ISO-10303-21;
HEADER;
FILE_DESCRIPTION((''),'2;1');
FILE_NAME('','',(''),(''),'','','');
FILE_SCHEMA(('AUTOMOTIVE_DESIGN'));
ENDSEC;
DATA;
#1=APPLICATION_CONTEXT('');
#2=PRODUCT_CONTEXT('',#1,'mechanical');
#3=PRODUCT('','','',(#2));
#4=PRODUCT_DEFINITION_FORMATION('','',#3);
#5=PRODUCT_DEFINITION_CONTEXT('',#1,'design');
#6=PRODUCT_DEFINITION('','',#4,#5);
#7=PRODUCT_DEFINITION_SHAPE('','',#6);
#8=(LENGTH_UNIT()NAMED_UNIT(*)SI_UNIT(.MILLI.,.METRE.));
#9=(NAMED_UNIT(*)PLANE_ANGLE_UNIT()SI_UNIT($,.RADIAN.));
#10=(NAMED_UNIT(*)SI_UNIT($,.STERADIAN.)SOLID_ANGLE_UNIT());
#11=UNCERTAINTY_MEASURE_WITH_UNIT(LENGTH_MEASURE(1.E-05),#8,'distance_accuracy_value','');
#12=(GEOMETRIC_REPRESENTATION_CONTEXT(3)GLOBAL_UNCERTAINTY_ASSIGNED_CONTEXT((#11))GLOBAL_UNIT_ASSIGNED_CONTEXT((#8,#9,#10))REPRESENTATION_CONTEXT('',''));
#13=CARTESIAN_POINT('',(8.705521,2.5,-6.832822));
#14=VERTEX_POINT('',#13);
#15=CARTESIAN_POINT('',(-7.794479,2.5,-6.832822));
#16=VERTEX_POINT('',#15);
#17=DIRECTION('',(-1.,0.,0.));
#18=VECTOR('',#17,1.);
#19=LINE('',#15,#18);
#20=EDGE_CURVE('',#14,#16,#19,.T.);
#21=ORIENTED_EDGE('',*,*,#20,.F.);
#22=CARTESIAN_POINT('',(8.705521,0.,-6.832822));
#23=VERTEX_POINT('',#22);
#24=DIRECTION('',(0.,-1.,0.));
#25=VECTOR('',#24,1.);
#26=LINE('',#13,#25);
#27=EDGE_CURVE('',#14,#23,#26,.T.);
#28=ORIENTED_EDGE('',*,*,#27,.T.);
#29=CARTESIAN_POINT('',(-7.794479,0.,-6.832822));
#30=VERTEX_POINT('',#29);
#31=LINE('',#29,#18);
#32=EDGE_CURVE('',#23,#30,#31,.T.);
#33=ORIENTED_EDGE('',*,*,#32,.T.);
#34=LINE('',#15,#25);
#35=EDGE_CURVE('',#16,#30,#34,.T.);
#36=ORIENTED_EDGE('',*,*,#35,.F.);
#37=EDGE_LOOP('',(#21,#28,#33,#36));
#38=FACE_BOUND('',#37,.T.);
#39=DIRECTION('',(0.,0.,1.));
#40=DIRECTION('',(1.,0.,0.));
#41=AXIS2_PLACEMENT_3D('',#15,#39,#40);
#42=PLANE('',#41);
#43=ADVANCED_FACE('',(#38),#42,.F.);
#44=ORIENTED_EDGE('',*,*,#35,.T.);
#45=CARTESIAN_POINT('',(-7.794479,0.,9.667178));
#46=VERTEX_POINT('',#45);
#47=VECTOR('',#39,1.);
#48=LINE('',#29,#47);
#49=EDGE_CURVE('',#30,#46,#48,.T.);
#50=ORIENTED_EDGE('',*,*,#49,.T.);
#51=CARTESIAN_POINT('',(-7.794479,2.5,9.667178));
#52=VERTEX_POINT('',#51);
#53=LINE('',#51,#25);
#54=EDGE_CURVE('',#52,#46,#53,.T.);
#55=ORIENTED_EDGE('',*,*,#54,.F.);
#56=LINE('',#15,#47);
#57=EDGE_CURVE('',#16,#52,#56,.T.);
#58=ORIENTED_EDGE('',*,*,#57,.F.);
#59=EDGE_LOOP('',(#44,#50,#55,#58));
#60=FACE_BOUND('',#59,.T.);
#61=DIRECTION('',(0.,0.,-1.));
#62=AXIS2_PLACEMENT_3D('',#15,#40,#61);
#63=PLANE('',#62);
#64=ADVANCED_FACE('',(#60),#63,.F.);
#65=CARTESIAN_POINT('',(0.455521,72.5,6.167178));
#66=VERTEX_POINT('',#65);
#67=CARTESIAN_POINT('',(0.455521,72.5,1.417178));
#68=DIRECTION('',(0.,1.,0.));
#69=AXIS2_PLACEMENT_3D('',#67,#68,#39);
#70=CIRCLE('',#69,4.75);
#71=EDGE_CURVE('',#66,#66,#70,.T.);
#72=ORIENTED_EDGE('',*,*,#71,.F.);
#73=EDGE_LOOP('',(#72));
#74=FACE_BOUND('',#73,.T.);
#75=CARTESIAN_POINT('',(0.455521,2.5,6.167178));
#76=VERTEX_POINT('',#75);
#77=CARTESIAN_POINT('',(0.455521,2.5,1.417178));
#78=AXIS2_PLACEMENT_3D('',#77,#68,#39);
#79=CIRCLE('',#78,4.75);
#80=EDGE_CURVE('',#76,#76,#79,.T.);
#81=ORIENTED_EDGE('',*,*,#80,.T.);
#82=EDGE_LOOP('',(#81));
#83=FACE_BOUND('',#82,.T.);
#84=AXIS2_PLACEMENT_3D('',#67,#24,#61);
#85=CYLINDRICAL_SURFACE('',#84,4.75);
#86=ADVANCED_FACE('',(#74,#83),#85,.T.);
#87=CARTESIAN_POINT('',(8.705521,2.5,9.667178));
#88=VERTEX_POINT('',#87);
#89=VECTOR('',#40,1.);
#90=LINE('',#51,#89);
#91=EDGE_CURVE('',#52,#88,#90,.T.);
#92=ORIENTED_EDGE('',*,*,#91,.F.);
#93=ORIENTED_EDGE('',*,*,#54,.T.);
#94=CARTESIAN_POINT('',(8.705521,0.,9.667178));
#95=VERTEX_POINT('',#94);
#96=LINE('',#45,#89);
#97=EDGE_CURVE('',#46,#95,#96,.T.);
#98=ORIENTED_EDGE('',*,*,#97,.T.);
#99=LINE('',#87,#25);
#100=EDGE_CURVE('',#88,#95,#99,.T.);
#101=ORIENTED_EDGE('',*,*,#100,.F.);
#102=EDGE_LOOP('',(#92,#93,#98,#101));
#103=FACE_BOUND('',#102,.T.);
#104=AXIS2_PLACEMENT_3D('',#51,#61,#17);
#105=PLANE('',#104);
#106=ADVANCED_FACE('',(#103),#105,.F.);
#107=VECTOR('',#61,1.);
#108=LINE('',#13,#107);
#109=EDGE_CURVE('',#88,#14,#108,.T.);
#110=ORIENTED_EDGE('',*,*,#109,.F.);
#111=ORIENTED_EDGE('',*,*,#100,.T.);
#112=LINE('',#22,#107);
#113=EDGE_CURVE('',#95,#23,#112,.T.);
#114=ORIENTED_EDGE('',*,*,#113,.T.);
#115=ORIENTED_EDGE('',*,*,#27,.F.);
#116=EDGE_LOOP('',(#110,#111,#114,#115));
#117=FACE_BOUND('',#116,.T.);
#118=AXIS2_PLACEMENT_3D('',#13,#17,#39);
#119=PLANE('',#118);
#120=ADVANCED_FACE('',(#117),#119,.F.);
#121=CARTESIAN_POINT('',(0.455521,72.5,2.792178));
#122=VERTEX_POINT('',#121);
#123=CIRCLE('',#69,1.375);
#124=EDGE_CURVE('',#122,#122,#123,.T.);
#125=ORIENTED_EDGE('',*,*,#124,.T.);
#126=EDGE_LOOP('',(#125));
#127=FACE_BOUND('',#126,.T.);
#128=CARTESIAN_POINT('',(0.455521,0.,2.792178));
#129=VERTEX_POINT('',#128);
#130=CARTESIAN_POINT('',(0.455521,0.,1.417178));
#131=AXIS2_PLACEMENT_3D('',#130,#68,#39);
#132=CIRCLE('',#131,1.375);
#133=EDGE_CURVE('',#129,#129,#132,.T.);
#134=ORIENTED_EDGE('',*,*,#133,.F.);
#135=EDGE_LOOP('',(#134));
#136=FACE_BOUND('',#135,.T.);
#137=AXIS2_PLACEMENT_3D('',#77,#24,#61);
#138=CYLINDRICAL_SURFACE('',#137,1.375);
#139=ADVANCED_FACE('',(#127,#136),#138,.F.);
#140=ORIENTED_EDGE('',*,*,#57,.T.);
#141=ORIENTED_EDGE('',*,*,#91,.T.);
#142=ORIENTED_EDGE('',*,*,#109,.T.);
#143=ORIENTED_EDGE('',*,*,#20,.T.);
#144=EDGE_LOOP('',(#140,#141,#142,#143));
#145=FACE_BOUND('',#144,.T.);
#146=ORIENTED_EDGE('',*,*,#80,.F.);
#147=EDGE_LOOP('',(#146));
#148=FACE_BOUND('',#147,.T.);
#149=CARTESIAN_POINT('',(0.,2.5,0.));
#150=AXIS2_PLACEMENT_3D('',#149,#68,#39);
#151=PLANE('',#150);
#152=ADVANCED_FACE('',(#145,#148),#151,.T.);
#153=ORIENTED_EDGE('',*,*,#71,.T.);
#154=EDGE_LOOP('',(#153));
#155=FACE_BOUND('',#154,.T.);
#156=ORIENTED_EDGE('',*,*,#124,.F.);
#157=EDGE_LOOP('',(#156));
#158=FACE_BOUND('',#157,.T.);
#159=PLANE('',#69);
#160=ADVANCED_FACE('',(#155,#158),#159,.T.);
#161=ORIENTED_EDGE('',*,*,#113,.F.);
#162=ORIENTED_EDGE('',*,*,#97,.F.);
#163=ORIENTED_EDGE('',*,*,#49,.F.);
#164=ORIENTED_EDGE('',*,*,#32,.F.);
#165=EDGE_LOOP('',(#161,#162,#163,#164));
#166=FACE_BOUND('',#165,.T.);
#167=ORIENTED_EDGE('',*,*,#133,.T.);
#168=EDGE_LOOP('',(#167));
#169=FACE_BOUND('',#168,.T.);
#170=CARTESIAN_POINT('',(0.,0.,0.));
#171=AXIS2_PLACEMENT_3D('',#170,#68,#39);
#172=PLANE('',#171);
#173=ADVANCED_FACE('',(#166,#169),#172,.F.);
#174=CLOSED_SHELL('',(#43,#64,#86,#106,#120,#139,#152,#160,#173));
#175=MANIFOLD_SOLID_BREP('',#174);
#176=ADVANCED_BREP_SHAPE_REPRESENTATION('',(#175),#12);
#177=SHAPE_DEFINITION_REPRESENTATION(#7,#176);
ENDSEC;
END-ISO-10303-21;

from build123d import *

# Parameters (mm, degrees)
SKETCH1_W           = 16.5
SKETCH1_H           = 16.5
SKETCH1_R           = 1.375
BOSS_EXTRUDE1_DEPTH = 2.5
SKETCH2_R           = 4.75
SKETCH2_R_2         = 1.375
BOSS_EXTRUDE2_DEPTH = 70


with BuildPart() as part:
    # Sketch1 → Boss-Extrude1 (new body)
    with BuildSketch(Plane(origin=(0, 0, 0), x_dir=(1, 0, 0), z_dir=(0, 1, 0))):
        with Locations((0.455521472, -1.417177914)):
            Rectangle(SKETCH1_W, SKETCH1_H)
        with Locations((0.455521472, -1.417177914)):
            Circle(SKETCH1_R, mode=Mode.SUBTRACT)
    extrude(amount=BOSS_EXTRUDE1_DEPTH)

    # Sketch2 → Boss-Extrude2 (add)
    with BuildSketch(Plane(origin=(0, 2.5, 0), x_dir=(1, 0, 0), z_dir=(0, 1, 0))):
        with Locations((0.455521472, -1.417177914)):
            Circle(SKETCH2_R)
        with Locations((0.455521472, -1.417177914)):
            Circle(SKETCH2_R_2, mode=Mode.SUBTRACT)
    extrude(amount=BOSS_EXTRUDE2_DEPTH)


solid = part.part
